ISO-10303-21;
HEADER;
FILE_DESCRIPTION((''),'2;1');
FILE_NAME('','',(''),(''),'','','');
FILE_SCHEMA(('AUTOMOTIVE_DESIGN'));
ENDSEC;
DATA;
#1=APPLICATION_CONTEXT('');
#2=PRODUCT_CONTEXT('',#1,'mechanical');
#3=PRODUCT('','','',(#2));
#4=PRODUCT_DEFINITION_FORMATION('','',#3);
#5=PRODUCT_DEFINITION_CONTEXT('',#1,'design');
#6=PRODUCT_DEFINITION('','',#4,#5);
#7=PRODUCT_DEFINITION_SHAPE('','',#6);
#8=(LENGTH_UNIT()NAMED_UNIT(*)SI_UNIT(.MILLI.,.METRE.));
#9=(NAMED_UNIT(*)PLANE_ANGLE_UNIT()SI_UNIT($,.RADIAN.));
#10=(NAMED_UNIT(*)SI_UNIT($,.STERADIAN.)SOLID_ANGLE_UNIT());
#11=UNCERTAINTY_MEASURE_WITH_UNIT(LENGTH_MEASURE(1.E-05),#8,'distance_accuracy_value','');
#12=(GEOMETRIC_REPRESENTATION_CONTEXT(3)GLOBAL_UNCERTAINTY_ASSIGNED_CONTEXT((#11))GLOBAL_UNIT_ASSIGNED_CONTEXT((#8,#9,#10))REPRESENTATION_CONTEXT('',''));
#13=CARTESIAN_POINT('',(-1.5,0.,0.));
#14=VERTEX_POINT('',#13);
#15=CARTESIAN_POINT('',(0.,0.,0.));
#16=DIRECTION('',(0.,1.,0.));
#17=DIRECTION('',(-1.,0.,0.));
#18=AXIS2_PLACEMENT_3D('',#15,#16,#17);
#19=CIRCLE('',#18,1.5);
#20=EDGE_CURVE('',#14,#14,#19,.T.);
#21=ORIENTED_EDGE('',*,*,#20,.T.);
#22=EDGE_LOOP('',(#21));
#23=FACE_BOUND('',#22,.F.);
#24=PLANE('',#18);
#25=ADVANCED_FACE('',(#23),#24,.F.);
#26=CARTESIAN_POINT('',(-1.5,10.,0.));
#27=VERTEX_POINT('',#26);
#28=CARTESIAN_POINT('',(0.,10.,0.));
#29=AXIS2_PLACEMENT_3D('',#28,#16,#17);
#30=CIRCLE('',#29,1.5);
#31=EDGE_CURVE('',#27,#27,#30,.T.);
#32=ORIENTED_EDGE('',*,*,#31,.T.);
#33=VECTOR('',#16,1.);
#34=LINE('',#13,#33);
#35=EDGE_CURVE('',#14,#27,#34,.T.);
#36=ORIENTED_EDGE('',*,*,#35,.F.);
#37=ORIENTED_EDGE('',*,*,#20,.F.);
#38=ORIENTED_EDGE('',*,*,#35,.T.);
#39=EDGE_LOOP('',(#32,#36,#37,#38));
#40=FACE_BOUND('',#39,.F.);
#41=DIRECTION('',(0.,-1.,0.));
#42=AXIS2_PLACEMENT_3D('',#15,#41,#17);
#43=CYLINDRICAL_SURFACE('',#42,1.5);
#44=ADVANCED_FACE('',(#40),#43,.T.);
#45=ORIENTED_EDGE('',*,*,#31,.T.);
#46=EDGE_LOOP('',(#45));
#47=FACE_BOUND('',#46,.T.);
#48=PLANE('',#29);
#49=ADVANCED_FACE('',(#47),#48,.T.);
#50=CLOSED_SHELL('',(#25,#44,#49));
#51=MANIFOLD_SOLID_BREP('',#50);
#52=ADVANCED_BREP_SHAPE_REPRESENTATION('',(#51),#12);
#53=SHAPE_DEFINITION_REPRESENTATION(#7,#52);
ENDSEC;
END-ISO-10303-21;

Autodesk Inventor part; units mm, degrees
ref_plane "YZ Plane" through (0, 0, 0) normal (1, 0, 0) x (0, 1, 0)
ref_plane "XZ Plane" through (0, 0, 0) normal (0, 1, 0) x (-1, 0, 0)
ref_plane "XY Plane" through (0, 0, 0) normal (0, 0, 1) x (1, 0, 0)
sketch "Sketch1" plane through (0, 0, 0) normal (0, 1, 0) x (-1, 0, 0)
  circle A0 centre (0, 0) radius 1.5
  dimension "d0" = 3
extrude "Extrusion1" add sketch "Sketch1" along normal blind 10
properties part number "dummy_terminal_wire_4mm"
